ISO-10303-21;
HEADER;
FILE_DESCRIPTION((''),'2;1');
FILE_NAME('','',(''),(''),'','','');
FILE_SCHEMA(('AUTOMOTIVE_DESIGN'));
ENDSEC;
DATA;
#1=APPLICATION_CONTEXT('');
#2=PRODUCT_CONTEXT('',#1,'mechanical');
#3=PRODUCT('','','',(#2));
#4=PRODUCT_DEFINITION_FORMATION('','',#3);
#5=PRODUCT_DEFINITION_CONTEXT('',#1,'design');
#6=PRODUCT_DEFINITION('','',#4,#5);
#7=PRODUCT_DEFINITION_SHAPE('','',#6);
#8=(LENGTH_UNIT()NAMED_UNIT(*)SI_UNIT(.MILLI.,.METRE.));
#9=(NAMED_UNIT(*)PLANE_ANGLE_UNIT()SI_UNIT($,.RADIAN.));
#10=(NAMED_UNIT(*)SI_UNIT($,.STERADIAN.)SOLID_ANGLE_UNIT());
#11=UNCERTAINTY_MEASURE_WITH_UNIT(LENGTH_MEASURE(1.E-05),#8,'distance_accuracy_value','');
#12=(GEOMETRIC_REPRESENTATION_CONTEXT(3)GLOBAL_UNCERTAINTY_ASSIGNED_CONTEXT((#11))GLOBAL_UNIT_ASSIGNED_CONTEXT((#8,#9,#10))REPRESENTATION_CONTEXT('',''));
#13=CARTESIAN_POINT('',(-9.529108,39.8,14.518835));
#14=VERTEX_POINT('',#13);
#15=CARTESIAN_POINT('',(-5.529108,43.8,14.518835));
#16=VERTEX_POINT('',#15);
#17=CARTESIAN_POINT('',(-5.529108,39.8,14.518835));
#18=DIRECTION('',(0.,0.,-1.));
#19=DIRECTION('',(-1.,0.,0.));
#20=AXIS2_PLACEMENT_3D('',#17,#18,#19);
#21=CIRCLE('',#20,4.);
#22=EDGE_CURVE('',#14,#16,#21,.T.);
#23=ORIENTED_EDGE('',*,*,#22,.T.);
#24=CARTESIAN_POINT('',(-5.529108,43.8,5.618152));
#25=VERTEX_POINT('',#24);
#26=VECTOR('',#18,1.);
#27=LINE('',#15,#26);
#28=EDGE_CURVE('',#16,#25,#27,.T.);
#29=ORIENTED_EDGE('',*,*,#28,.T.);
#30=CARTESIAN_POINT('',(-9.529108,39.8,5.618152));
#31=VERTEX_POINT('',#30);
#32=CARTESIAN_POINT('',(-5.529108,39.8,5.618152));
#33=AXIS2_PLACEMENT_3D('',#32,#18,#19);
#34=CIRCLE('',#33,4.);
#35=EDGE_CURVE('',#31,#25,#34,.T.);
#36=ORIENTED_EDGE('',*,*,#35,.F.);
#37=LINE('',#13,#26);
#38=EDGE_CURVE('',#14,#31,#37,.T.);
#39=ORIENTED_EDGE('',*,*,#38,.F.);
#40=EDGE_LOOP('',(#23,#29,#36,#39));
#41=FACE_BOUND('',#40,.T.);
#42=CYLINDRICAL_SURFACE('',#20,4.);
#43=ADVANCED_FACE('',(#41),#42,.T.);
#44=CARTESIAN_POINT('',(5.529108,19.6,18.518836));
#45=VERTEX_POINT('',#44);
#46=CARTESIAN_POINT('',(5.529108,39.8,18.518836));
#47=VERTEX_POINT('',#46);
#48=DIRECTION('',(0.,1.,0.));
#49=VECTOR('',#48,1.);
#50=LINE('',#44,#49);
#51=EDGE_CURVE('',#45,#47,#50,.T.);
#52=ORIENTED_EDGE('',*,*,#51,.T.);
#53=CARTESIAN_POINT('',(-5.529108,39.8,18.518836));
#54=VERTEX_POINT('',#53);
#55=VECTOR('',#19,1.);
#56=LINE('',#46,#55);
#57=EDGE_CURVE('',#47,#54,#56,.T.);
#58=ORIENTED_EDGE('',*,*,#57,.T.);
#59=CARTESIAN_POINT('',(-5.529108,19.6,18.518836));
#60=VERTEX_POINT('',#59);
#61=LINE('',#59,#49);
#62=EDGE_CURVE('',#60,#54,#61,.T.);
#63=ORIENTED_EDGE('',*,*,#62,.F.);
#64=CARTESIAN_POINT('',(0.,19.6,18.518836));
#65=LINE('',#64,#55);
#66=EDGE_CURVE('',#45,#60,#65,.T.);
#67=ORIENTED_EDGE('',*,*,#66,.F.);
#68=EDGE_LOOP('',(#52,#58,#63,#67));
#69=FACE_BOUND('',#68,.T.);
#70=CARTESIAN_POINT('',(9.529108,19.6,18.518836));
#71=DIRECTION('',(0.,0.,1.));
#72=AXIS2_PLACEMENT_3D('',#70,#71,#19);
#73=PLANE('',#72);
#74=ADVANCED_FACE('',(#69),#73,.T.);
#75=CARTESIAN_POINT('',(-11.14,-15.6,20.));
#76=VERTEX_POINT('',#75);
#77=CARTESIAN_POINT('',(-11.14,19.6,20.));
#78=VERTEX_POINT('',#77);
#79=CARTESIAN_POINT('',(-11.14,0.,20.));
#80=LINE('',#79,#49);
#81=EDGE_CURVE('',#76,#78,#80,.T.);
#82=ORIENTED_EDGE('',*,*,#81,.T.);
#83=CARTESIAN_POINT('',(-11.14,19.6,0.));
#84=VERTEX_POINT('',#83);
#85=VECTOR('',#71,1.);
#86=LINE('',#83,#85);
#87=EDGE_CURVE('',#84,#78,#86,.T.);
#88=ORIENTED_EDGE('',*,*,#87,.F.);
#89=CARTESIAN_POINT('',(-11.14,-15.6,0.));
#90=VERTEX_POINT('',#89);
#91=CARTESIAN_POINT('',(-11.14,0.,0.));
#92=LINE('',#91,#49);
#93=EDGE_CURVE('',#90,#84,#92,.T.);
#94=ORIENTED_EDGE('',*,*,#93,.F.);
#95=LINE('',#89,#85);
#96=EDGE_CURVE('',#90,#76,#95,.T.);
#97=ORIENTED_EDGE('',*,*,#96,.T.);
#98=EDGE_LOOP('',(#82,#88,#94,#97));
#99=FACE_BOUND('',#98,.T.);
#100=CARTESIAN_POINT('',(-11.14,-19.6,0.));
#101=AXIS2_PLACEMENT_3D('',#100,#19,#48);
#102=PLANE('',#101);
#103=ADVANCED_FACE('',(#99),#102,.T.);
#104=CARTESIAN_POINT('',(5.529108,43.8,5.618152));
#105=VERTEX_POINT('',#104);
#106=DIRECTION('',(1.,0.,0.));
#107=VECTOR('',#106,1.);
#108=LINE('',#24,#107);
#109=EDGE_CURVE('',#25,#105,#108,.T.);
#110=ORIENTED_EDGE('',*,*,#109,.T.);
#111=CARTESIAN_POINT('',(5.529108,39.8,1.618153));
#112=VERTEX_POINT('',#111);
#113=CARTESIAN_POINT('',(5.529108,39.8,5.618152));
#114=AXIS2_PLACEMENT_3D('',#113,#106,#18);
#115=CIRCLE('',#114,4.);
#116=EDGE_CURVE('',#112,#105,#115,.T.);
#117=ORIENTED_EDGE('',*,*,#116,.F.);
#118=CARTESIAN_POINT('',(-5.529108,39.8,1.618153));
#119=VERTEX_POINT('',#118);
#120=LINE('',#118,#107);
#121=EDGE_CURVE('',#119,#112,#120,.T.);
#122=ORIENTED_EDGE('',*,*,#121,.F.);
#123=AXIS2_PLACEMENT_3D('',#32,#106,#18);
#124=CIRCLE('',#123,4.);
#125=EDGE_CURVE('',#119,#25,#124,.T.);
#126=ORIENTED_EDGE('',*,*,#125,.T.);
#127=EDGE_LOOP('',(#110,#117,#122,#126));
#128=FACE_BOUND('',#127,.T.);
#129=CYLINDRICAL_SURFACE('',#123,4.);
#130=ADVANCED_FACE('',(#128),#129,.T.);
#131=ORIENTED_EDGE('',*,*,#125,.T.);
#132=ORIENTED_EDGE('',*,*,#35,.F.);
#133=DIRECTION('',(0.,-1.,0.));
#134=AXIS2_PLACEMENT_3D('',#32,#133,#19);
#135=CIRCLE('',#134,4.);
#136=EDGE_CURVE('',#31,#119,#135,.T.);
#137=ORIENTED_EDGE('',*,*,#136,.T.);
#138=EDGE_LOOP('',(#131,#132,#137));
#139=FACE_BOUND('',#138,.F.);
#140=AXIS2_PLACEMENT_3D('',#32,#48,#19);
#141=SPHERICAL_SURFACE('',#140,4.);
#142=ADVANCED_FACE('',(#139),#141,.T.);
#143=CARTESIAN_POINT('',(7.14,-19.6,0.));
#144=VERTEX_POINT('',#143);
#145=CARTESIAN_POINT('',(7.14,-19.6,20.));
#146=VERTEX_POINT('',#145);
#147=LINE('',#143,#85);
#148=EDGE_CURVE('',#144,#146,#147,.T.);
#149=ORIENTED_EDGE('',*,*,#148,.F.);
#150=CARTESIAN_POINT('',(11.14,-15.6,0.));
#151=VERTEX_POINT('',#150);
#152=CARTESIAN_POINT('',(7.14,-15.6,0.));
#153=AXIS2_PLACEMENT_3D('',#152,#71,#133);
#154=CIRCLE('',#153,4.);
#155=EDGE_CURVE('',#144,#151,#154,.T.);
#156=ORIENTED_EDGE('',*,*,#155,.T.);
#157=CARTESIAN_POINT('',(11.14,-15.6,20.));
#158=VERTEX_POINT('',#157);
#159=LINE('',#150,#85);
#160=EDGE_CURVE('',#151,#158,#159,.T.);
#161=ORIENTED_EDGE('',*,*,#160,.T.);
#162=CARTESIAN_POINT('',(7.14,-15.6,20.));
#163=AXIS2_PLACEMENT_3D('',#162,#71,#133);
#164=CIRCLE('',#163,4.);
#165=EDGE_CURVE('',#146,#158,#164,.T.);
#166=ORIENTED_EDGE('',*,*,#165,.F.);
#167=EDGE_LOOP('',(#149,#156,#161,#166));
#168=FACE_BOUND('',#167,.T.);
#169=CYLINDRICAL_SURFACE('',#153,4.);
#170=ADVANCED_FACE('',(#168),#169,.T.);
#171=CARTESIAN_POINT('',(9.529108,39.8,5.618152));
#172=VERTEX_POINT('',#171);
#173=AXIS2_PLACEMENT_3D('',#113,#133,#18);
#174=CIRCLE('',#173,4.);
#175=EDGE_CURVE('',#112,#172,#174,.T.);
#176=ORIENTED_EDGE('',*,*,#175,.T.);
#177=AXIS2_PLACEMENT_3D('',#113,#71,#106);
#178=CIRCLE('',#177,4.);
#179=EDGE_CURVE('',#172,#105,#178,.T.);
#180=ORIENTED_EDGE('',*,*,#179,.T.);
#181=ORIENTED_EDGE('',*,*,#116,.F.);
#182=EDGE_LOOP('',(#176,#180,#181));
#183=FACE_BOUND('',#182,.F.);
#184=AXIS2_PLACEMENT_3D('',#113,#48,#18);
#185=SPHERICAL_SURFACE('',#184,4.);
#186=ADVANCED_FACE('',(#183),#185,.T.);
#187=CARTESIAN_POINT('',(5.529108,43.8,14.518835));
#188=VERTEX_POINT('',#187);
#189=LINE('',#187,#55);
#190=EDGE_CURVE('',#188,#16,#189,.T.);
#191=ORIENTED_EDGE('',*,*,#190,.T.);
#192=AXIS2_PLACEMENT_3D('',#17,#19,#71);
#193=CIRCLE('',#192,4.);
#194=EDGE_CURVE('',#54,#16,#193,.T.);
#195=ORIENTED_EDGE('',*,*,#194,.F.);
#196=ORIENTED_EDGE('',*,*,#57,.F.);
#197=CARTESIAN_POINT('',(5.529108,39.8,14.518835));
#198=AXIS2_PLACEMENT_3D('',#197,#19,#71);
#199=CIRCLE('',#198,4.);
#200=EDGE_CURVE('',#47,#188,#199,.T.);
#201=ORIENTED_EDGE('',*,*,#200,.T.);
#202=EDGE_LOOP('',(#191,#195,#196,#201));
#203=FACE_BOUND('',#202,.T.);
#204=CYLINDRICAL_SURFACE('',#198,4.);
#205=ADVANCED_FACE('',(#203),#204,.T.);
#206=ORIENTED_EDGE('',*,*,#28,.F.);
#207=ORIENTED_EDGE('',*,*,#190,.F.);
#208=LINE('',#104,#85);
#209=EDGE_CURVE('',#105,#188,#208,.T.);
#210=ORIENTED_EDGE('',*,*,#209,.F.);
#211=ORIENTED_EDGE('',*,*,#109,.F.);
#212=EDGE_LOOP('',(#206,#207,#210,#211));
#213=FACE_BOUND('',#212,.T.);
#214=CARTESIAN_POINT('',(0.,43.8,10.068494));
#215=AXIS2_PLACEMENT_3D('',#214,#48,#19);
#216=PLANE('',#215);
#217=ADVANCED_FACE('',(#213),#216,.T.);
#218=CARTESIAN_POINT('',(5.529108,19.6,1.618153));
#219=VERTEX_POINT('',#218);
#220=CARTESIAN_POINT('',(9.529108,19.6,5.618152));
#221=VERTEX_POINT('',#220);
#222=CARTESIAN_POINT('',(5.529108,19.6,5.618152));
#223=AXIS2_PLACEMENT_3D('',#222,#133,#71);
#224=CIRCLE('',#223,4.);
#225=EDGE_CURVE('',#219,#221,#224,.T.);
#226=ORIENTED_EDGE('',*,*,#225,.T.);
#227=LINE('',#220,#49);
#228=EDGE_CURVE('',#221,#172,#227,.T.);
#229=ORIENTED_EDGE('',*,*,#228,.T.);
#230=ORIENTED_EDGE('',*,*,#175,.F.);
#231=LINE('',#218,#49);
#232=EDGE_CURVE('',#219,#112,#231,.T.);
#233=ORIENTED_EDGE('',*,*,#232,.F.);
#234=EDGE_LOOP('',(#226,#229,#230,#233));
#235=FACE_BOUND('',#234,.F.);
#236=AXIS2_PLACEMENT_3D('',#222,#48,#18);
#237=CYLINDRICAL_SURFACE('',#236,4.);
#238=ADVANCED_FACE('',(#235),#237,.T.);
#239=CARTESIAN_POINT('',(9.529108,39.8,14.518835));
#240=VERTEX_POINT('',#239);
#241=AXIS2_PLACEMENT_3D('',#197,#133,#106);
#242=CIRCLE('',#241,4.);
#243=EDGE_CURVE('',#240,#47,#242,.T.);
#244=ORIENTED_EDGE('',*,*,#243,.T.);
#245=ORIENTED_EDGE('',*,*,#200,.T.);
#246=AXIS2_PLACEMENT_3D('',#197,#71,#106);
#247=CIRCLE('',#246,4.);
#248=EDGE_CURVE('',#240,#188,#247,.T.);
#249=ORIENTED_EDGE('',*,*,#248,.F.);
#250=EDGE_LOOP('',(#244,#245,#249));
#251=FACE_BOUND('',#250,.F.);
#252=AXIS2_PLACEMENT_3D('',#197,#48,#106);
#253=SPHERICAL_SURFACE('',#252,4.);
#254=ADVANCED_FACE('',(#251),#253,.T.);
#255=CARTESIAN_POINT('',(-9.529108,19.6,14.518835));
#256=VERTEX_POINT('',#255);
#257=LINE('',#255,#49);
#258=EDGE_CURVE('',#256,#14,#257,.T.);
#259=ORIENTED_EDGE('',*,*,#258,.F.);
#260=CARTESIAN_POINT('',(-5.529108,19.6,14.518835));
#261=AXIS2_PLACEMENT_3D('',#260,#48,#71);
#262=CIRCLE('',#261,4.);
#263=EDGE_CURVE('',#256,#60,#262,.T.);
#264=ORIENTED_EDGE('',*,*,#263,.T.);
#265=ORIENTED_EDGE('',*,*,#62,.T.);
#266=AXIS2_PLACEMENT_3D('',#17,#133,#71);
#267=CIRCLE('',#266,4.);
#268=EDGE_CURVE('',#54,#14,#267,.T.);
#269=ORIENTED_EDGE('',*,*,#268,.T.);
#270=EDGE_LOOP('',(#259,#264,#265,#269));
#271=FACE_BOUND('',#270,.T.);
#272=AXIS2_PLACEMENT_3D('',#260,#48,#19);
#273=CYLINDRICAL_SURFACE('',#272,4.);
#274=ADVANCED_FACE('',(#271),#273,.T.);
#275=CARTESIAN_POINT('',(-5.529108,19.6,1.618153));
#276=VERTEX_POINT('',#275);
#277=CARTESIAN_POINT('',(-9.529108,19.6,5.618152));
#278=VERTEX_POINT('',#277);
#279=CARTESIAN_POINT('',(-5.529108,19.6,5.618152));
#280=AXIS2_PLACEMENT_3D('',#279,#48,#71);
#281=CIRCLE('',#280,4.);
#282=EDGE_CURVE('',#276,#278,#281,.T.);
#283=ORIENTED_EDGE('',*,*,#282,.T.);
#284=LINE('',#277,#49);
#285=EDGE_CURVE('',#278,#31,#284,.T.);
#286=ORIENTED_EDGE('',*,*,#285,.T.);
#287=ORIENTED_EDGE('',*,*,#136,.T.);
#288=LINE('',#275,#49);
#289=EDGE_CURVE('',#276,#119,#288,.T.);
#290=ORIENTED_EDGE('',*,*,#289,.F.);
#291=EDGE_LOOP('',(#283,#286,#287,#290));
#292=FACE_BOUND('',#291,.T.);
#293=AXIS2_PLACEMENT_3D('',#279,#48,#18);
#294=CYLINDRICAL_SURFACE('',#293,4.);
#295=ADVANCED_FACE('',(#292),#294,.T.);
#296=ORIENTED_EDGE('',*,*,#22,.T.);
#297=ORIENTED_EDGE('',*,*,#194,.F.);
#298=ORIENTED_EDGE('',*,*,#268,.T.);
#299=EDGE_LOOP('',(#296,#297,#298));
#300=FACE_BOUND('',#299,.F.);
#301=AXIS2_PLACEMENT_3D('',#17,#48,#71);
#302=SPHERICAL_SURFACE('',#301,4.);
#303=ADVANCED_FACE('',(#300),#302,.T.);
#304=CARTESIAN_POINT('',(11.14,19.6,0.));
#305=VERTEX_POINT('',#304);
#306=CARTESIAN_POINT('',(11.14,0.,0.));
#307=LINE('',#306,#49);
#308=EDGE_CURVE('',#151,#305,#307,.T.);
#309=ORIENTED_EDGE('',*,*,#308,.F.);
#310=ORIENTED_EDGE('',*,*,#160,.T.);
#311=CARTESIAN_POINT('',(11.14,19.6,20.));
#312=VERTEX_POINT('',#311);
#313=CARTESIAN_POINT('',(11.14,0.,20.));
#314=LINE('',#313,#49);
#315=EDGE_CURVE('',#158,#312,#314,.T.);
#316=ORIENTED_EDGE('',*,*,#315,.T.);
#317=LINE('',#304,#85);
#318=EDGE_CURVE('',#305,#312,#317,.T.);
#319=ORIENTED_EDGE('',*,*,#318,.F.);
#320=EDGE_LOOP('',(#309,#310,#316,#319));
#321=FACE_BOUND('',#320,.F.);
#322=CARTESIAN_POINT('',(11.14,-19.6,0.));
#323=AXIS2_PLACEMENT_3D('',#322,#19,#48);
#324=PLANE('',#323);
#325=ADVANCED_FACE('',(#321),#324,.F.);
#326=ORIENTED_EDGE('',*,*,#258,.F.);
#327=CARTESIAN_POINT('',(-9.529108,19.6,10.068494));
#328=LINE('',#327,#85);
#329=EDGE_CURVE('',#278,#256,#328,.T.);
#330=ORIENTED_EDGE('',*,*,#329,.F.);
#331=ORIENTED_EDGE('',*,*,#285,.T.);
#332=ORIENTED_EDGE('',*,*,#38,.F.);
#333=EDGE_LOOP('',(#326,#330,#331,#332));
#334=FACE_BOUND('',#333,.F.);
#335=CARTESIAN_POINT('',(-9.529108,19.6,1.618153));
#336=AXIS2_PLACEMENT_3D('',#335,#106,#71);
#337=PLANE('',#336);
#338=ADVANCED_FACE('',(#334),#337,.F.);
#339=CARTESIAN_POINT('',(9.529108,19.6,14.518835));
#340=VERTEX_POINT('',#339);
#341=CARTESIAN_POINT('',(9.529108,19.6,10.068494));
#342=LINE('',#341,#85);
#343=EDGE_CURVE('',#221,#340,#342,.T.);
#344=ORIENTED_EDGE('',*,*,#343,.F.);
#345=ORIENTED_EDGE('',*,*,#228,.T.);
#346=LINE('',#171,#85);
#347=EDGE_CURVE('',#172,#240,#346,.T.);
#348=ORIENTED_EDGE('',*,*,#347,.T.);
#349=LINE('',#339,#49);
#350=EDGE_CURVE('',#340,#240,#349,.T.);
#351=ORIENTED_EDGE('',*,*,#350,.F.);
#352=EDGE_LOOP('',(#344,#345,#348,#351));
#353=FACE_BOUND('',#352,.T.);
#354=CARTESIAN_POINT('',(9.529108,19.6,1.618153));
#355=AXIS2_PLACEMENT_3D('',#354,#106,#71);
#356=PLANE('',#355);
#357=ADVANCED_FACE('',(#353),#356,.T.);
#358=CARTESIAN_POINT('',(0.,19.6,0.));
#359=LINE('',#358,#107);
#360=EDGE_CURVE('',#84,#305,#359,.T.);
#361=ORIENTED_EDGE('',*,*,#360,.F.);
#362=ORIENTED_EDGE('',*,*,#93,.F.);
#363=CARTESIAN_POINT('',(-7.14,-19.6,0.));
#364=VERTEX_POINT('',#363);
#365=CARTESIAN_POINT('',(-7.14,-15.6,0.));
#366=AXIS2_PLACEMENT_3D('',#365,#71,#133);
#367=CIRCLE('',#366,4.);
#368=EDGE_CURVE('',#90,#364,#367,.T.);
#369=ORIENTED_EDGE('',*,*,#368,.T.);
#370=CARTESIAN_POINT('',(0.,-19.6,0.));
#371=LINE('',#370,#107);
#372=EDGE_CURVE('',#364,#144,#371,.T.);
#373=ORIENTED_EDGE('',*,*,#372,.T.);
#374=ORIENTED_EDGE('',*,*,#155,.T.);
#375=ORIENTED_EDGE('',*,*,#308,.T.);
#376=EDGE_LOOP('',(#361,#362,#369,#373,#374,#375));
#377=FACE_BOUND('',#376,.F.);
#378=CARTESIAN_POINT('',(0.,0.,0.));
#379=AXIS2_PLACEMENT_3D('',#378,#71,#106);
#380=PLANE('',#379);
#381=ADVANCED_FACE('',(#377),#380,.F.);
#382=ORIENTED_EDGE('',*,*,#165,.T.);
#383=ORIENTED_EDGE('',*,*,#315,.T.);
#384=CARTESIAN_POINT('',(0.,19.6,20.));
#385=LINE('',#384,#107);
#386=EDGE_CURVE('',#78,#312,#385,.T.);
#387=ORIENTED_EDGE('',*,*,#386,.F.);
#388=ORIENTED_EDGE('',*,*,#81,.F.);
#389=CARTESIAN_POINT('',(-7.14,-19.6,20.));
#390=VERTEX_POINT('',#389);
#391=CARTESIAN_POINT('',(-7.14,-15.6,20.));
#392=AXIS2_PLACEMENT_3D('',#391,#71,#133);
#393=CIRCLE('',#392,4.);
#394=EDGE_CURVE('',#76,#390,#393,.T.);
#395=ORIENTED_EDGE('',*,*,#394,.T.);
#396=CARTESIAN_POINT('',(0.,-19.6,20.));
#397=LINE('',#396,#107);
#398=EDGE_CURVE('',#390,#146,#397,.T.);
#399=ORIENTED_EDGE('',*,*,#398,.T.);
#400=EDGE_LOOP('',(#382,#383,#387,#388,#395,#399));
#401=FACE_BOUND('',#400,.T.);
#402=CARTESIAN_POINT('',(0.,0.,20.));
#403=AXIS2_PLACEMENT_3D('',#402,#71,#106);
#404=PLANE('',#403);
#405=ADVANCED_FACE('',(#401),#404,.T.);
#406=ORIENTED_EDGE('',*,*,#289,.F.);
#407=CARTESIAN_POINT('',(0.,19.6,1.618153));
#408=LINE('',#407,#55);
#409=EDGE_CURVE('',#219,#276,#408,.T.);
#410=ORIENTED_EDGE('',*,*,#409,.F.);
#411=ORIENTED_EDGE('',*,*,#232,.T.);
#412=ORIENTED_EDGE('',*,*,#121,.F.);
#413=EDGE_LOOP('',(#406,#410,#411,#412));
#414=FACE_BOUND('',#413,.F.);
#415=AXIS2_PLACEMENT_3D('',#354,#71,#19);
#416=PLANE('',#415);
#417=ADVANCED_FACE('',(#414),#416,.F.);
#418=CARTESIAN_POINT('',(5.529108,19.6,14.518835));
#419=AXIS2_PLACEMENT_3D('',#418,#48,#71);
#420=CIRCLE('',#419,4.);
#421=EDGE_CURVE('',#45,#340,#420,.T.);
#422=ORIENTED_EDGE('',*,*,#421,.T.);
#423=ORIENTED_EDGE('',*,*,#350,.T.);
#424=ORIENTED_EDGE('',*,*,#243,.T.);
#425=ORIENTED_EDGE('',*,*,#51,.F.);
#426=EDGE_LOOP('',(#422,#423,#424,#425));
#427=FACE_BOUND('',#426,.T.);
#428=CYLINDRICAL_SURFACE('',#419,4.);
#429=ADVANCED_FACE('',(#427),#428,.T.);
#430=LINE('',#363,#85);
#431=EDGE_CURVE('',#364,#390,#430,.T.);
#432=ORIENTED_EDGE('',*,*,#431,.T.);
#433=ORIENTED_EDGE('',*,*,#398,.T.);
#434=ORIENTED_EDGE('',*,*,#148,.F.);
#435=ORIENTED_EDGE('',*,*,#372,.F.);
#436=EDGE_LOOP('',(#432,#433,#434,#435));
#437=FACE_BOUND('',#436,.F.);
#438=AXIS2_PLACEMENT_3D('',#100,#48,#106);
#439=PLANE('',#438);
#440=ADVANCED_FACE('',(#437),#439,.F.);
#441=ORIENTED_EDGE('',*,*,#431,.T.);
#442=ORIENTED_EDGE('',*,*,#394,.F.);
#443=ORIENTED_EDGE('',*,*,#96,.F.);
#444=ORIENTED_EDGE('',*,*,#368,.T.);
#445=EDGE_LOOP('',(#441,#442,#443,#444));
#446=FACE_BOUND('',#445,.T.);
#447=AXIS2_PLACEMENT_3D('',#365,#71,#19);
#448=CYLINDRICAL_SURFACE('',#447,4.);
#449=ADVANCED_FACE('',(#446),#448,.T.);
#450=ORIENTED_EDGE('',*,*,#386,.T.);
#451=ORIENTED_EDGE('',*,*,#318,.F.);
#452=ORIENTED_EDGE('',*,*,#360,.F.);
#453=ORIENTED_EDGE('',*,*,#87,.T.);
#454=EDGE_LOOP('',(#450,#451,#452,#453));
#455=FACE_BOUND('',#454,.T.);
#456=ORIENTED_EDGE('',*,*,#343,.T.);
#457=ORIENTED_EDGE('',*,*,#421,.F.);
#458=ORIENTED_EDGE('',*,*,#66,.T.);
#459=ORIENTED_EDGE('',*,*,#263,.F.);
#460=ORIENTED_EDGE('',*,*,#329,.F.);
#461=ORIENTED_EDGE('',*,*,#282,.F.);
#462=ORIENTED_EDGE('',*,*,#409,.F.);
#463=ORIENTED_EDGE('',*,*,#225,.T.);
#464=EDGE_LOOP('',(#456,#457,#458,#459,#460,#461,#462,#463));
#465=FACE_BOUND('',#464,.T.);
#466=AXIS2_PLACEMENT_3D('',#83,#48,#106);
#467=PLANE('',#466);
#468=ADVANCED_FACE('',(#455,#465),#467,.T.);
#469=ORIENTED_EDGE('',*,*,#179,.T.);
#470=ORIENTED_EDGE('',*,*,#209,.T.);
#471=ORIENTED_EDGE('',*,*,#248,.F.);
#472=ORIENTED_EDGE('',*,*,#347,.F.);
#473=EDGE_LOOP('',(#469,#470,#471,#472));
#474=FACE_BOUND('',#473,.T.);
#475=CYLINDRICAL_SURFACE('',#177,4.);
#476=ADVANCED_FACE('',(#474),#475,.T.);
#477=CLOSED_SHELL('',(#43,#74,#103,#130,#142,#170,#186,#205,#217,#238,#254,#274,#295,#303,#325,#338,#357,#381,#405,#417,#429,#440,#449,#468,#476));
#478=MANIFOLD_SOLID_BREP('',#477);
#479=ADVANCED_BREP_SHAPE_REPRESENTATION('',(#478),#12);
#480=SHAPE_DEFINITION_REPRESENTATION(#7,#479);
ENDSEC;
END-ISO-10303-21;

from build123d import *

# Parameters (mm, degrees)
F0_W     = 22.28
F0_H     = 39.2
F1_DEPTH = 20
F2_R     = 4
F3_W     = 19.058216
F3_H     = 16.900683
F4_DEPTH = 24.2
F5_R     = 4
F6_R     = 4


with BuildPart() as f1:
    # F0 (on Top) → F1 (new body)
    with BuildSketch(Plane.XY):
        Rectangle(F0_W, F0_H)
    extrude(amount=F1_DEPTH)

    # F2
    f2_edges = [f1.edges().sort_by_distance(p)[0] for p in [
        (-11.14, -19.6, 10),
        (11.14, -19.6, 10),
    ]]
    fillet(f2_edges, radius=F2_R)

    # F3 (on face) → F4 (join)
    with BuildSketch(Plane(origin=(0, 19.6, 0), x_dir=(-1, 0, 0), z_dir=(0, 1, 0))):
        with Locations((0, 10.068494)):
            Rectangle(F3_W, F3_H)
    extrude(amount=F4_DEPTH)

    # F5
    f5_edges = [f1.edges().sort_by_distance(p)[0] for p in [
        (-9.529108, 31.7, 1.618153),
        (9.529108, 31.7, 1.618153),
        (-9.529108, 31.7, 18.518836),
        (9.529108, 31.7, 18.518836),
    ]]
    fillet(f5_edges, radius=F5_R)

    # F6
    f6_edges = [f1.edges().sort_by_distance(p)[0] for p in [
        (9.529108, 43.8, 10.068495),
        (0, 43.8, 18.518836),
        (-9.529108, 43.8, 10.068495),
        (0, 43.8, 1.618153),
    ]]
    fillet(f6_edges, radius=F6_R)


solid = f1.part
